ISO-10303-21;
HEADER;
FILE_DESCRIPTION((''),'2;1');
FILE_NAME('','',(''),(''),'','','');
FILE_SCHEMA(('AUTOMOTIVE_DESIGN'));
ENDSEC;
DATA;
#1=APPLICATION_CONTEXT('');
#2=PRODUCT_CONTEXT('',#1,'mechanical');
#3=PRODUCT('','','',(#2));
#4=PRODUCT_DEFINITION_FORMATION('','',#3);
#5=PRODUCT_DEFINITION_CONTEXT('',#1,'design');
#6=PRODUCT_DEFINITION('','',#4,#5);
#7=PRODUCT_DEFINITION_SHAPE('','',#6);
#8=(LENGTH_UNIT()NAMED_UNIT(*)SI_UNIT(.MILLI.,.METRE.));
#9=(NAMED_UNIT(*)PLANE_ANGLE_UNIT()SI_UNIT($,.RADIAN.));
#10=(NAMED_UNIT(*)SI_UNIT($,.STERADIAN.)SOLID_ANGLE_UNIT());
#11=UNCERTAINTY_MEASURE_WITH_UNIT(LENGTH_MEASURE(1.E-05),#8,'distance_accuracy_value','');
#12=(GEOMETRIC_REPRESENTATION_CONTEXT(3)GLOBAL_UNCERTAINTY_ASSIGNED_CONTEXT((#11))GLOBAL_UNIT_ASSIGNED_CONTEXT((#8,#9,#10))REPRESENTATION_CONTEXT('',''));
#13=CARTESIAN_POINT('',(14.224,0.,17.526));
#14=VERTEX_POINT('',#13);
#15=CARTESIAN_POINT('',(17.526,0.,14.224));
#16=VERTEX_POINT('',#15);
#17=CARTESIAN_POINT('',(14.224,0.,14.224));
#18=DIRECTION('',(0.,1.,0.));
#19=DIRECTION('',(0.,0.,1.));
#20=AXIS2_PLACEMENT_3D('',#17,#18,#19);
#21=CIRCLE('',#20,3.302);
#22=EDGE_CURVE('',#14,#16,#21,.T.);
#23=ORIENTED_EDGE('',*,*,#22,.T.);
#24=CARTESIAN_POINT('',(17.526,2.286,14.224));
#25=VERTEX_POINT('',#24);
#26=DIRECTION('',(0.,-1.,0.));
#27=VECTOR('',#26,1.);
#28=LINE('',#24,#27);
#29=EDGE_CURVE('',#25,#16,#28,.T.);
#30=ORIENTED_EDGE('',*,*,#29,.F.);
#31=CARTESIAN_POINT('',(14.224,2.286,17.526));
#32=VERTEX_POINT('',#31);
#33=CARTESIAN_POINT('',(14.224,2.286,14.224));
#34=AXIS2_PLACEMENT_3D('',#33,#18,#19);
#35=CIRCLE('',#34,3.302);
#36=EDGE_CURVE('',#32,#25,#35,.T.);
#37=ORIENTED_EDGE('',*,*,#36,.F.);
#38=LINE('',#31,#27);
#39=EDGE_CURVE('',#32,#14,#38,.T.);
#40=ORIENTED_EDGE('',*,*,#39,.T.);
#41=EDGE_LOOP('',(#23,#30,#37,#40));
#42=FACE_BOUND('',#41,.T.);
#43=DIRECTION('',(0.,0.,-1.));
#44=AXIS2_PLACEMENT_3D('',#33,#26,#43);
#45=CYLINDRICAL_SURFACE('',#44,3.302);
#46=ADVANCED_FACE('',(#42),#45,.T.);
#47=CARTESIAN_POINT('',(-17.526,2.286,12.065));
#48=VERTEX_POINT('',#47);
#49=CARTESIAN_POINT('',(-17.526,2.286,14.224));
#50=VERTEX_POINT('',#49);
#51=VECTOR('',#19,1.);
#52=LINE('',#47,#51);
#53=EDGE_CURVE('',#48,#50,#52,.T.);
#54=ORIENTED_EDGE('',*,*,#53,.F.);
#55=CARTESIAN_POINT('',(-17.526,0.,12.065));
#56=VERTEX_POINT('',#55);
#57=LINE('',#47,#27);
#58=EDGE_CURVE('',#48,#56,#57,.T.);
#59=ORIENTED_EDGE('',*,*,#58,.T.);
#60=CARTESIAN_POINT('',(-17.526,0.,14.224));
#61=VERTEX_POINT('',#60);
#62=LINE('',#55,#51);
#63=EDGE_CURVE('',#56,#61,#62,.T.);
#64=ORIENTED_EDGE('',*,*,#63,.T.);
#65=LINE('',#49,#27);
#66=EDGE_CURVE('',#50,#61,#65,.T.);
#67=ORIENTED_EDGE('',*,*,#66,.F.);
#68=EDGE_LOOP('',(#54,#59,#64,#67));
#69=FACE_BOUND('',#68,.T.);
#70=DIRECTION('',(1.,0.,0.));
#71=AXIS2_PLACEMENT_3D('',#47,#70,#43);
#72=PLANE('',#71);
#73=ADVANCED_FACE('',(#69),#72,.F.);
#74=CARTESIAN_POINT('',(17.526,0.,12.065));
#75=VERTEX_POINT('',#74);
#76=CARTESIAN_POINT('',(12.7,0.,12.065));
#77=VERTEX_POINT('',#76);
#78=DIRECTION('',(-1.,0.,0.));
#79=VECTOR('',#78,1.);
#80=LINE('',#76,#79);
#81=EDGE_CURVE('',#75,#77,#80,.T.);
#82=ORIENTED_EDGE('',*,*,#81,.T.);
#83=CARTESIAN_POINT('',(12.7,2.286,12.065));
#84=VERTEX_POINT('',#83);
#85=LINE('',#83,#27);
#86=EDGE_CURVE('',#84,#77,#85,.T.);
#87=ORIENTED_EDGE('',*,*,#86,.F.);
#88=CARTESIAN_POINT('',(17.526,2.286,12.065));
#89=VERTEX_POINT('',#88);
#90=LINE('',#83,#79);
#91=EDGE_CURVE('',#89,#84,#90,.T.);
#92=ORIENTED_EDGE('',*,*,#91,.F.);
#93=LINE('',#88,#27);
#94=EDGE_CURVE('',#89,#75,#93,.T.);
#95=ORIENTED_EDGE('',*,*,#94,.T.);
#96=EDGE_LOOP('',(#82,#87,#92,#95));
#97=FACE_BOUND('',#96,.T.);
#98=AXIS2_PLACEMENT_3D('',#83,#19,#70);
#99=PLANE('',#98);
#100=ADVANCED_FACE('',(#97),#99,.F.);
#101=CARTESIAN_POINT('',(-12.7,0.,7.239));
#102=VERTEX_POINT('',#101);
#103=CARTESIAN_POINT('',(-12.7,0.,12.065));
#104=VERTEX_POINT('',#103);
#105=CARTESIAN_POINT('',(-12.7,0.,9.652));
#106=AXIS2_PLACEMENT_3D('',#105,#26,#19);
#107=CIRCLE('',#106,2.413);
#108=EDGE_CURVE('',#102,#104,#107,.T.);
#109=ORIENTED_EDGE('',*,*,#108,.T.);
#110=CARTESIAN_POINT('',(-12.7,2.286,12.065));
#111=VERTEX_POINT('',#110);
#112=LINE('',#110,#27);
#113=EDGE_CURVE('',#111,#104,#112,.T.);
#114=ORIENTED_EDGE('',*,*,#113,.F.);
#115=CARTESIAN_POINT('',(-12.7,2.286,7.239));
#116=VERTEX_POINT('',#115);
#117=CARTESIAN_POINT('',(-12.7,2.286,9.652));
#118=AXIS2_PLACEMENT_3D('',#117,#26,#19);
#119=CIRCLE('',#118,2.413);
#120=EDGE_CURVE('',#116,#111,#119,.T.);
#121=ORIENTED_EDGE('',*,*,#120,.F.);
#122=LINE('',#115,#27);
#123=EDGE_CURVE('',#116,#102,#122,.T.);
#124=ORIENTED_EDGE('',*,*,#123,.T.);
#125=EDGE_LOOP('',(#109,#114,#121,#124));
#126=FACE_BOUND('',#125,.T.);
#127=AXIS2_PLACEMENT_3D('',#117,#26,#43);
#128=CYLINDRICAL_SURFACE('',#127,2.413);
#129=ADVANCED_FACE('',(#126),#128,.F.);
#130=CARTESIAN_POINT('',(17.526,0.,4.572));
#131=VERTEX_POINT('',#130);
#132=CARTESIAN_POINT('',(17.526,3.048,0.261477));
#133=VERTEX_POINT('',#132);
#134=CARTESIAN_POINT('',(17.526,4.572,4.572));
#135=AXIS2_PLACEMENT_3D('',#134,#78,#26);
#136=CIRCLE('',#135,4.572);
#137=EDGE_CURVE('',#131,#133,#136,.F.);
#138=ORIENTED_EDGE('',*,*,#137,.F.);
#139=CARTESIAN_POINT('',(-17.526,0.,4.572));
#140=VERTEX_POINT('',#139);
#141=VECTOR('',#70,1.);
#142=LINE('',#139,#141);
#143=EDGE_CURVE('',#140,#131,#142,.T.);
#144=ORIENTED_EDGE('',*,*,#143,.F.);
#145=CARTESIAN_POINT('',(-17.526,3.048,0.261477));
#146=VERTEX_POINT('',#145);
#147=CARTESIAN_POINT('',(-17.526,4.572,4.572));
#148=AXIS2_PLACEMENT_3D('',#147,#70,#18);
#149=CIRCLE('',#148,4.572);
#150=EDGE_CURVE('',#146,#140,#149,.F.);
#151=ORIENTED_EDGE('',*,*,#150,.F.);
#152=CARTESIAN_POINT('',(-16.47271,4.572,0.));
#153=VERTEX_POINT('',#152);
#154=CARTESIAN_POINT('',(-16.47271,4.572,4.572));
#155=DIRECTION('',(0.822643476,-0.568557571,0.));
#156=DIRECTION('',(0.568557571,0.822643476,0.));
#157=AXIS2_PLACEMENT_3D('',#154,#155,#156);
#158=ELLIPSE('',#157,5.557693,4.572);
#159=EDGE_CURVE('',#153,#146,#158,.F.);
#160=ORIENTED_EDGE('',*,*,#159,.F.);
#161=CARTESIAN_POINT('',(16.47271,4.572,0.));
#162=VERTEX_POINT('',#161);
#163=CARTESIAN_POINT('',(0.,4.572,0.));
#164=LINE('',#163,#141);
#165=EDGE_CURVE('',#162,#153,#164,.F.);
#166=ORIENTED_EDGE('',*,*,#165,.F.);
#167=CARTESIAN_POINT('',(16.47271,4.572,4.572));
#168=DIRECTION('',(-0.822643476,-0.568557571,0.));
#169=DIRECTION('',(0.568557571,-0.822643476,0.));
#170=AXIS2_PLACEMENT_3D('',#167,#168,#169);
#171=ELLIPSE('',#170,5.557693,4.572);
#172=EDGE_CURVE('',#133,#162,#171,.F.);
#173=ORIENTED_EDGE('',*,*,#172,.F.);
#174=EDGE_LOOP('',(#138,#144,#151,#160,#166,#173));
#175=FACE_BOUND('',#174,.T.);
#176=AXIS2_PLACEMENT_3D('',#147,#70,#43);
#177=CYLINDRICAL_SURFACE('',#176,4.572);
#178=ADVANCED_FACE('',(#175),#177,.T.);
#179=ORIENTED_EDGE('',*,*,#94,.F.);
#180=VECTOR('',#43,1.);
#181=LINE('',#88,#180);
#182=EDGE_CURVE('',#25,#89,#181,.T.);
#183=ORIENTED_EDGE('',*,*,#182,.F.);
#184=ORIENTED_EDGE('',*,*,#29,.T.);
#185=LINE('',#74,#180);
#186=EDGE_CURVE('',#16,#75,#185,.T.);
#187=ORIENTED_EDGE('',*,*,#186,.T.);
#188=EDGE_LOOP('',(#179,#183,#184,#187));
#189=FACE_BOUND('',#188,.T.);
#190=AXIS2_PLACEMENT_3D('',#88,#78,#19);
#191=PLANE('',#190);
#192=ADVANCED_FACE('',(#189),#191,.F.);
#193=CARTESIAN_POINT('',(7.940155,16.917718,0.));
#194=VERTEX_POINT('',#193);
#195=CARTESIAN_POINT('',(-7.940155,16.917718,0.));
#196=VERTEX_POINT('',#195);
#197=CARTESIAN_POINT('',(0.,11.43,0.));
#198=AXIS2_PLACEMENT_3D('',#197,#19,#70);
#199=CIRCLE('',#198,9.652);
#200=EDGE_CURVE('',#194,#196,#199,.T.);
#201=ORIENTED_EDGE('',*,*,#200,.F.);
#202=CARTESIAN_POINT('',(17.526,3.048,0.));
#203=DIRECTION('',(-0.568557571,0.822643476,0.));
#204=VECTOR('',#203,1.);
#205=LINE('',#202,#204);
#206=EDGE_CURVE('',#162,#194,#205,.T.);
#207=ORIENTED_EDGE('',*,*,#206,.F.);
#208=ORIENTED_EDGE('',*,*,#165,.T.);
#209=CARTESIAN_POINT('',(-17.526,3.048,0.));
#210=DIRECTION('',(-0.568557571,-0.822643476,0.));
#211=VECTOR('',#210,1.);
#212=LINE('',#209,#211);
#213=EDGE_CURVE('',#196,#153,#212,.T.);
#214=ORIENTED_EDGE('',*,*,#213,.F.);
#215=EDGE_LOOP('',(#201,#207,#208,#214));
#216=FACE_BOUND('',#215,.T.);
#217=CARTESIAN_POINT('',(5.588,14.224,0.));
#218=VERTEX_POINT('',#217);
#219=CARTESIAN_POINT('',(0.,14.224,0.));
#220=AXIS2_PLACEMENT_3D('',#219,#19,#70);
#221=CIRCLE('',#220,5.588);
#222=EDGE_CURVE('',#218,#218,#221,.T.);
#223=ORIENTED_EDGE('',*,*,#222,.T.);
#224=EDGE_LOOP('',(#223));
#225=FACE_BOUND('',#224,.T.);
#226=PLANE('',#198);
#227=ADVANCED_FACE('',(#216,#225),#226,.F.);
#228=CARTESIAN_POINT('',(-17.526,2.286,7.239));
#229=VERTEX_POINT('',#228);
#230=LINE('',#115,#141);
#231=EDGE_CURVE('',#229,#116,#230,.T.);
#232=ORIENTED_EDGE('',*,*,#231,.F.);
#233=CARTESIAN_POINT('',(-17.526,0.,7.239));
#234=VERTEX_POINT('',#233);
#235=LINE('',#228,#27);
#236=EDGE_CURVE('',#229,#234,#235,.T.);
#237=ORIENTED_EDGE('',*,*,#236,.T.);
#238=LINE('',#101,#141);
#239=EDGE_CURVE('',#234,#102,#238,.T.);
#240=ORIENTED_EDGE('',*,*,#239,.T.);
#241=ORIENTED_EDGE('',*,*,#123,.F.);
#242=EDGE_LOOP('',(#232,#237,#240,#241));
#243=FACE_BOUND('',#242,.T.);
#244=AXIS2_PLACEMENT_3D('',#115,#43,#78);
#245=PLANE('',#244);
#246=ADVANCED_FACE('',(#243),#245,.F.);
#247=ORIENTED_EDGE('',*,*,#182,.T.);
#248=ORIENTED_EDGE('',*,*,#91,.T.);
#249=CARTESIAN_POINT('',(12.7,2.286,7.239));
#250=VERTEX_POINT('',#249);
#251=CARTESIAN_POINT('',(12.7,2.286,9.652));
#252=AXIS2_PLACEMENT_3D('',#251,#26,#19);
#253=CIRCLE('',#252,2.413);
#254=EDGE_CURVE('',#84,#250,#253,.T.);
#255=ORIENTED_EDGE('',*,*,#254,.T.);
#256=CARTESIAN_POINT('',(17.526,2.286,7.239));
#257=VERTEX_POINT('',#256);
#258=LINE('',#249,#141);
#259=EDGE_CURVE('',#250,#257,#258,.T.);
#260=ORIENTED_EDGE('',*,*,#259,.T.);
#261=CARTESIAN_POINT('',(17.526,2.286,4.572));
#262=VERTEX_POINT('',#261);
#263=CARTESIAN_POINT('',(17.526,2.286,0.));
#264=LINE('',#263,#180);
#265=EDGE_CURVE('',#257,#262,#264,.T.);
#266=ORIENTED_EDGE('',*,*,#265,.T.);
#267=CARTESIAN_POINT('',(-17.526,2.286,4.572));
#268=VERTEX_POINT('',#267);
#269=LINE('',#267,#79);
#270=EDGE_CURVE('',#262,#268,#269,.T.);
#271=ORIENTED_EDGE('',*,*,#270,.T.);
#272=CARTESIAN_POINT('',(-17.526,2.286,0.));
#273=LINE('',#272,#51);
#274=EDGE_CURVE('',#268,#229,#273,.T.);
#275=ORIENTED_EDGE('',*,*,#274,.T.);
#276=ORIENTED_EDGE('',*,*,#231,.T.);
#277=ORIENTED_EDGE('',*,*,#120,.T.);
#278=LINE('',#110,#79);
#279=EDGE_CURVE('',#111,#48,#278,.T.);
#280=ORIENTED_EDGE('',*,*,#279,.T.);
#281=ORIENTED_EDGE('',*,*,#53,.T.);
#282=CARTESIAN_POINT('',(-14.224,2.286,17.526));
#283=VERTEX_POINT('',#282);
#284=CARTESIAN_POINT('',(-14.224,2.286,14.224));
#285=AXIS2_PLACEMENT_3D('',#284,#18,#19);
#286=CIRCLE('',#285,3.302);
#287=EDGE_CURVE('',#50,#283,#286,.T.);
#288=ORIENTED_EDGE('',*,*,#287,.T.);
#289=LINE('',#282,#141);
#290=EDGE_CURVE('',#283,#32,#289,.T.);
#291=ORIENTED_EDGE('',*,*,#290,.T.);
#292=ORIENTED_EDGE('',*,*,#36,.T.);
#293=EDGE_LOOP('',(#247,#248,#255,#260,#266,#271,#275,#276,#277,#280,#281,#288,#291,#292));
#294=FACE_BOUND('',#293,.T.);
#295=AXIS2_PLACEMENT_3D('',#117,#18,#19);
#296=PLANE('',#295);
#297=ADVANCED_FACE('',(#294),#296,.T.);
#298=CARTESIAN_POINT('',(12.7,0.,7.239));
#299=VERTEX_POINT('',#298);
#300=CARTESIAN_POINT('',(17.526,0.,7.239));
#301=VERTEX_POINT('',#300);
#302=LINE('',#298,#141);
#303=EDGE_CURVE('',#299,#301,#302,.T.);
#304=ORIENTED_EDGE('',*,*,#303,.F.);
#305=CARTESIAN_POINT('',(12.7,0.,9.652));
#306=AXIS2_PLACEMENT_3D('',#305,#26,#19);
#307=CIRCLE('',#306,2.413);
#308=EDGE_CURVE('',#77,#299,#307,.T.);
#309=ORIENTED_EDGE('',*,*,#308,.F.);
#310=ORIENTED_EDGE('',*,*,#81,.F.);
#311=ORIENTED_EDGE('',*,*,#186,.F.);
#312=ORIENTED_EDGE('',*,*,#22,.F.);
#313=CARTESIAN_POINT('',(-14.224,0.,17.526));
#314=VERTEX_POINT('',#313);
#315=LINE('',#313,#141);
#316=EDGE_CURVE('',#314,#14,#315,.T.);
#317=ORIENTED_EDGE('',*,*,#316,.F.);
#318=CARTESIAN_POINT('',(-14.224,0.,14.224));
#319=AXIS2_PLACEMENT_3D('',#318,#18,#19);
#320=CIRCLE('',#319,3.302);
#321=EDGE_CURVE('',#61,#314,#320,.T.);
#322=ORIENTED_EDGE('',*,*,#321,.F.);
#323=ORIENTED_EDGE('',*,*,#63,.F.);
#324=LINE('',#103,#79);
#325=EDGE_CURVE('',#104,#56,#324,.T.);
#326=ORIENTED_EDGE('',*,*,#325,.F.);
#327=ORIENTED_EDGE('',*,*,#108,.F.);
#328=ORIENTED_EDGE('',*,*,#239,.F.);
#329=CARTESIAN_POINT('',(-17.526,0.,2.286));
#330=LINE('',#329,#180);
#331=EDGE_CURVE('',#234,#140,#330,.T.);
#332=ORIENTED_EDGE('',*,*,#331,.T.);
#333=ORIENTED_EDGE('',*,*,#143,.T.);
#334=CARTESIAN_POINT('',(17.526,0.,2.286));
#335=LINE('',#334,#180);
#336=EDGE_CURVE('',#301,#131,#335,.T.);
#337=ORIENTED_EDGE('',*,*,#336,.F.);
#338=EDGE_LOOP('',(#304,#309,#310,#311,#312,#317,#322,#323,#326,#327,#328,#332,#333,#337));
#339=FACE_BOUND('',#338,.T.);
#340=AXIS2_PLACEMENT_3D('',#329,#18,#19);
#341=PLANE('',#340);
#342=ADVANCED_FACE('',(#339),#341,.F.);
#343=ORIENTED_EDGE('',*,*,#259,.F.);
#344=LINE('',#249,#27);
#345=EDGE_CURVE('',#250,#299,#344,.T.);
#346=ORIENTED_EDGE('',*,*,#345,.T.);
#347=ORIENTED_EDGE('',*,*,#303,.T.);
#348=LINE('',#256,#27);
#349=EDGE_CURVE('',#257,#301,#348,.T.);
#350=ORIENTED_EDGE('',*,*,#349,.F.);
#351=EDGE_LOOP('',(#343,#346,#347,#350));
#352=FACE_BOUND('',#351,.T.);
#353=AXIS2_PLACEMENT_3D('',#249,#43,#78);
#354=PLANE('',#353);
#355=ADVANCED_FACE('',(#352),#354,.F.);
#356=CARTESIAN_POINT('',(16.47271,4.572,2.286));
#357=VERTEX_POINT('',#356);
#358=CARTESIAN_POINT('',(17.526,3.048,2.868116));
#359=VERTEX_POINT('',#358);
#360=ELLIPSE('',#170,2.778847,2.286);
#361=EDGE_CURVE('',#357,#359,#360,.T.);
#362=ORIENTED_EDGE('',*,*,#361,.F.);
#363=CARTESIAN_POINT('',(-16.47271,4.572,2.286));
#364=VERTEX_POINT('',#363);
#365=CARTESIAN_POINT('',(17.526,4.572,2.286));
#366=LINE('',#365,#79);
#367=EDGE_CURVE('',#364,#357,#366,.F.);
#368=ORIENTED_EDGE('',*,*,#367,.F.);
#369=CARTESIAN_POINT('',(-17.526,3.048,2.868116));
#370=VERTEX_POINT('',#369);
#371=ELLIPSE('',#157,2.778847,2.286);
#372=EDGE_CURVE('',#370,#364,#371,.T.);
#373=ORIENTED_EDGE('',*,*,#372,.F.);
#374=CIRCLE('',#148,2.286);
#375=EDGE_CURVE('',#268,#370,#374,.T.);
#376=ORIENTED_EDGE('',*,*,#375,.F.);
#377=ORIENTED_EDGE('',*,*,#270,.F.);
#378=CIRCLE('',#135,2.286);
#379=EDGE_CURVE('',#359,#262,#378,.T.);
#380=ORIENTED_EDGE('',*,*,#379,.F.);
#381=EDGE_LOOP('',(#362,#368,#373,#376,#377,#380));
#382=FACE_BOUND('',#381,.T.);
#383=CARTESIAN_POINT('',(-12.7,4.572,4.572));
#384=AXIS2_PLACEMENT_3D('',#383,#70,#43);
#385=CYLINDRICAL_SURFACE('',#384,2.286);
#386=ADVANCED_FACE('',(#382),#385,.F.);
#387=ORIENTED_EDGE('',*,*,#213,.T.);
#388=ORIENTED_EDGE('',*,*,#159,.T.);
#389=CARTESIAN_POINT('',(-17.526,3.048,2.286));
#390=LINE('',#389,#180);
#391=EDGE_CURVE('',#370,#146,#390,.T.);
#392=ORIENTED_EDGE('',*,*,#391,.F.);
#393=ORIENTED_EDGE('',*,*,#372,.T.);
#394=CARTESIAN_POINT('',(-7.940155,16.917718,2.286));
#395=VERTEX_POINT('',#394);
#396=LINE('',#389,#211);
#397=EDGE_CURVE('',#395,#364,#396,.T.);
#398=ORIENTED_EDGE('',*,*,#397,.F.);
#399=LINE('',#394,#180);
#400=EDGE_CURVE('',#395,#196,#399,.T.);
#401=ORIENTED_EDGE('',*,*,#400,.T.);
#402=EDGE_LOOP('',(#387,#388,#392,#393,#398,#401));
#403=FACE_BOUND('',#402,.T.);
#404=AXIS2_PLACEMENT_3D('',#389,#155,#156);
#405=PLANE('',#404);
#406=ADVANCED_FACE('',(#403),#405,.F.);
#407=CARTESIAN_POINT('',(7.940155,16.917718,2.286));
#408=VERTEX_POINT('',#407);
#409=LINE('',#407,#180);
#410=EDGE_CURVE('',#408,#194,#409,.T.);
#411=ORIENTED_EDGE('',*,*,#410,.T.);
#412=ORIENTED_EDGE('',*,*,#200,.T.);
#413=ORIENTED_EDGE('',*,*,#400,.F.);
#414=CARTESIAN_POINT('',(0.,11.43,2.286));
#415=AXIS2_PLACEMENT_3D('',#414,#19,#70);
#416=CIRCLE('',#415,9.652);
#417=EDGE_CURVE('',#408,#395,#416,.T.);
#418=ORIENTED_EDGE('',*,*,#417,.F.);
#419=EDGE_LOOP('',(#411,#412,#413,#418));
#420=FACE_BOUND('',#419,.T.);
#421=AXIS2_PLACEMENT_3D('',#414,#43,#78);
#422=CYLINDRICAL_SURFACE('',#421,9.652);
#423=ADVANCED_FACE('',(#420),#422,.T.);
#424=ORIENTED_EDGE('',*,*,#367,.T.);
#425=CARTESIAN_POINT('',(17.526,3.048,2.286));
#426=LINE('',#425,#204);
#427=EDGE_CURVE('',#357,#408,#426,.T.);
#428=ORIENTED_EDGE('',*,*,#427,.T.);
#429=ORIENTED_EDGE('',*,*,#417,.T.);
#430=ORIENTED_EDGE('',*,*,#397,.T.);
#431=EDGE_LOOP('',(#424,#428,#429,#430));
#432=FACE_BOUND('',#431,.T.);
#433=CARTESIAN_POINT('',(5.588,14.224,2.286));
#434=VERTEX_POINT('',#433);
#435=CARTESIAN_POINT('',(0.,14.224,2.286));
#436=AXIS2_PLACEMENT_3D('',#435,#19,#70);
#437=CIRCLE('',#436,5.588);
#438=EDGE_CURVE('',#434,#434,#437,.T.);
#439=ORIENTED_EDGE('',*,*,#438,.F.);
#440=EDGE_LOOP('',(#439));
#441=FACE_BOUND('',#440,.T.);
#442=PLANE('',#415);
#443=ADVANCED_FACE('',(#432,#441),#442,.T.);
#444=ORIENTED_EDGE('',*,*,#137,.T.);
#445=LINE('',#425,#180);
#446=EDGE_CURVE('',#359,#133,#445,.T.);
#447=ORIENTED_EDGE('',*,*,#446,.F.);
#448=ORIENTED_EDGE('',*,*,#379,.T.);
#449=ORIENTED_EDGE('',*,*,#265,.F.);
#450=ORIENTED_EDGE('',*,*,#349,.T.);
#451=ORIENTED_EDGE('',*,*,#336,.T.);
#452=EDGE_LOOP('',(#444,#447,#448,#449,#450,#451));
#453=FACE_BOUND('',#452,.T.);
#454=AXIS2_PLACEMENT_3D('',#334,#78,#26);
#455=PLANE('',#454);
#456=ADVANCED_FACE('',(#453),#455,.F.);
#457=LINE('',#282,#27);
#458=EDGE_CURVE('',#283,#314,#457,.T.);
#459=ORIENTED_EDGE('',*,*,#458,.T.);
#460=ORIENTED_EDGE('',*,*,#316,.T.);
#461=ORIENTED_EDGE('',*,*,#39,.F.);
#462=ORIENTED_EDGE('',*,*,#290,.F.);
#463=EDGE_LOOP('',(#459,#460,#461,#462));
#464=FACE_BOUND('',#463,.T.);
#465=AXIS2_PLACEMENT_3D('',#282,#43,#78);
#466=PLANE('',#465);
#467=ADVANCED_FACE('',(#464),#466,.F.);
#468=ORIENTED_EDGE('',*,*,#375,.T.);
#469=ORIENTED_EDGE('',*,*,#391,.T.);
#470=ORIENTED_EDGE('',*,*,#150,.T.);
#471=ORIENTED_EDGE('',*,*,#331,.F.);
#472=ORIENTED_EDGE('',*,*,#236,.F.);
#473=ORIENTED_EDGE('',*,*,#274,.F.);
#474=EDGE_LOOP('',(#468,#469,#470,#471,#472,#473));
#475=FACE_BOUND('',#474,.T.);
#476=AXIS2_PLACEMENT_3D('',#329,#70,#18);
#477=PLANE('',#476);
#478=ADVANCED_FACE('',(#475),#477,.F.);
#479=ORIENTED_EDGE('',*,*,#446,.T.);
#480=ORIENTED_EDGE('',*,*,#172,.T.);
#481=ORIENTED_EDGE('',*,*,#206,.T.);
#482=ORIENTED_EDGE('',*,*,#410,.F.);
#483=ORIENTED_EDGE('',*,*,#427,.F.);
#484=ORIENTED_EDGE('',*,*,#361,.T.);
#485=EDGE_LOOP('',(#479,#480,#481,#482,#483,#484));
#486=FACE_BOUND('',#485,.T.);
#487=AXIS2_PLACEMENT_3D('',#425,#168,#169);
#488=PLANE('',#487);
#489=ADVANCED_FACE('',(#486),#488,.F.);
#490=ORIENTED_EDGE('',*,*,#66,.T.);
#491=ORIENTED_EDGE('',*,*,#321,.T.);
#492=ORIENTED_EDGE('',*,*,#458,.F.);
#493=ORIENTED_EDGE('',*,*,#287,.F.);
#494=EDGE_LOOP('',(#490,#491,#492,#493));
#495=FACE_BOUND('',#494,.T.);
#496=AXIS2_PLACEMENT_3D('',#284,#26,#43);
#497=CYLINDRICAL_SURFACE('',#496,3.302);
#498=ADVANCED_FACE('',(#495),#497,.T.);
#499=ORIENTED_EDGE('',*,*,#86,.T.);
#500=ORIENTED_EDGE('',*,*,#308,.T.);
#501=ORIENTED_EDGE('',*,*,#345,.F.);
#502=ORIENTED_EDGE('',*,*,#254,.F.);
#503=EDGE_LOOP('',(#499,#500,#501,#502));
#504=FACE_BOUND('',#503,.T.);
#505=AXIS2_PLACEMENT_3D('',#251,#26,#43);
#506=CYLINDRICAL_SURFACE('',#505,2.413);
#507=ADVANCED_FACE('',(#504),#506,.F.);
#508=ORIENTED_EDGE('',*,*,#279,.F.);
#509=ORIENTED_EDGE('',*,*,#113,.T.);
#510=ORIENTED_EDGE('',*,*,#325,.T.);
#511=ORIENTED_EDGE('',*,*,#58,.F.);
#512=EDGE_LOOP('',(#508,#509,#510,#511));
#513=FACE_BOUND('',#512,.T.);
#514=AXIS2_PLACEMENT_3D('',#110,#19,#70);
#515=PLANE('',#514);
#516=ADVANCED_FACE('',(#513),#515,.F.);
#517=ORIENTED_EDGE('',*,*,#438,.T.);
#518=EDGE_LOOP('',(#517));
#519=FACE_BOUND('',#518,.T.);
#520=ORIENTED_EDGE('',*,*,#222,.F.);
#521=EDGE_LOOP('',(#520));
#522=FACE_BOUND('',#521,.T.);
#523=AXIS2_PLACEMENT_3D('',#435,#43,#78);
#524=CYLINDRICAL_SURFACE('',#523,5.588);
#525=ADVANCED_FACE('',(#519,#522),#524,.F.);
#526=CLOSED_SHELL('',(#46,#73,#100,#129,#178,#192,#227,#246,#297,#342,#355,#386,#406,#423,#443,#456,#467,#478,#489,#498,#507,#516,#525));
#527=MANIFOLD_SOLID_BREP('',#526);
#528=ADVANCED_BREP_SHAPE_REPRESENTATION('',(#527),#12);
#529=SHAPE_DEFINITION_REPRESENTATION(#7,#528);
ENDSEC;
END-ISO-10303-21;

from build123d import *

# Parameters (mm, degrees)
SKETCH1_R           = 5.588
BOSS_EXTRUDE1_DEPTH = 2.286
BOSS_EXTRUDE2_DEPTH = 2.286
FILLET1_R           = 2.286
FILLET2_R           = 4.572


with BuildPart() as part:
    # Sketch1 → Boss-Extrude1 (new body)
    with BuildSketch(Plane.XY):
        with BuildLine():
            Line((-17.526, 0), (17.526, 0))
            Line((17.526, 0), (17.526, 3.048))
            Line((17.526, 3.048), (7.94015483, 16.917717675))
            ThreePointArc((7.94015483, 16.917717675), (0, 21.082), (-7.94015483, 16.917717675))
            Line((-7.94015483, 16.917717675), (-17.526, 3.048))
            Line((-17.526, 3.048), (-17.526, 0))
        make_face()
        with Locations((0, 14.224)):
            Circle(SKETCH1_R, mode=Mode.SUBTRACT)
    extrude(amount=BOSS_EXTRUDE1_DEPTH)

    # Sketch2 → Boss-Extrude2 (add)
    with BuildSketch(Plane(origin=(0, 0, 2.286), x_dir=(1, 0, 0), z_dir=(0, 1, 0))):
        with BuildLine():
            Line((-12.7, -4.953), (-17.526, -4.953))
            Line((-17.526, -4.953), (-17.526, 2.286))
            Line((-17.526, 2.286), (17.526, 2.286))
            Line((17.526, 2.286), (17.526, -4.953))
            Line((17.526, -4.953), (12.7, -4.953))
            ThreePointArc((12.7, -4.953), (10.287, -7.366), (12.7, -9.779))
            Line((12.7, -9.779), (17.526, -9.779))
            Line((17.526, -9.779), (17.526, -11.938))
            ThreePointArc((17.526, -11.938), (16.558866591, -14.272866591), (14.224, -15.24))
            Line((14.224, -15.24), (-14.224, -15.24))
            ThreePointArc((-14.224, -15.24), (-16.558866591, -14.272866591), (-17.526, -11.938))
            Line((-17.526, -11.938), (-17.526, -9.779))
            Line((-17.526, -9.779), (-12.7, -9.779))
            ThreePointArc((-12.7, -9.779), (-10.287, -7.366), (-12.7, -4.953))
        make_face()
    extrude(amount=BOSS_EXTRUDE2_DEPTH)

    # Fillet1
    fillet1_edges = [part.edges().sort_by_distance(p)[0] for p in [
        (0, 2.286, 2.286),
    ]]
    fillet(fillet1_edges, radius=FILLET1_R)

    # Fillet2
    fillet2_edges = [part.edges().sort_by_distance(p)[0] for p in [
        (0, 0, 0),
    ]]
    fillet(fillet2_edges, radius=FILLET2_R)


solid = part.part
